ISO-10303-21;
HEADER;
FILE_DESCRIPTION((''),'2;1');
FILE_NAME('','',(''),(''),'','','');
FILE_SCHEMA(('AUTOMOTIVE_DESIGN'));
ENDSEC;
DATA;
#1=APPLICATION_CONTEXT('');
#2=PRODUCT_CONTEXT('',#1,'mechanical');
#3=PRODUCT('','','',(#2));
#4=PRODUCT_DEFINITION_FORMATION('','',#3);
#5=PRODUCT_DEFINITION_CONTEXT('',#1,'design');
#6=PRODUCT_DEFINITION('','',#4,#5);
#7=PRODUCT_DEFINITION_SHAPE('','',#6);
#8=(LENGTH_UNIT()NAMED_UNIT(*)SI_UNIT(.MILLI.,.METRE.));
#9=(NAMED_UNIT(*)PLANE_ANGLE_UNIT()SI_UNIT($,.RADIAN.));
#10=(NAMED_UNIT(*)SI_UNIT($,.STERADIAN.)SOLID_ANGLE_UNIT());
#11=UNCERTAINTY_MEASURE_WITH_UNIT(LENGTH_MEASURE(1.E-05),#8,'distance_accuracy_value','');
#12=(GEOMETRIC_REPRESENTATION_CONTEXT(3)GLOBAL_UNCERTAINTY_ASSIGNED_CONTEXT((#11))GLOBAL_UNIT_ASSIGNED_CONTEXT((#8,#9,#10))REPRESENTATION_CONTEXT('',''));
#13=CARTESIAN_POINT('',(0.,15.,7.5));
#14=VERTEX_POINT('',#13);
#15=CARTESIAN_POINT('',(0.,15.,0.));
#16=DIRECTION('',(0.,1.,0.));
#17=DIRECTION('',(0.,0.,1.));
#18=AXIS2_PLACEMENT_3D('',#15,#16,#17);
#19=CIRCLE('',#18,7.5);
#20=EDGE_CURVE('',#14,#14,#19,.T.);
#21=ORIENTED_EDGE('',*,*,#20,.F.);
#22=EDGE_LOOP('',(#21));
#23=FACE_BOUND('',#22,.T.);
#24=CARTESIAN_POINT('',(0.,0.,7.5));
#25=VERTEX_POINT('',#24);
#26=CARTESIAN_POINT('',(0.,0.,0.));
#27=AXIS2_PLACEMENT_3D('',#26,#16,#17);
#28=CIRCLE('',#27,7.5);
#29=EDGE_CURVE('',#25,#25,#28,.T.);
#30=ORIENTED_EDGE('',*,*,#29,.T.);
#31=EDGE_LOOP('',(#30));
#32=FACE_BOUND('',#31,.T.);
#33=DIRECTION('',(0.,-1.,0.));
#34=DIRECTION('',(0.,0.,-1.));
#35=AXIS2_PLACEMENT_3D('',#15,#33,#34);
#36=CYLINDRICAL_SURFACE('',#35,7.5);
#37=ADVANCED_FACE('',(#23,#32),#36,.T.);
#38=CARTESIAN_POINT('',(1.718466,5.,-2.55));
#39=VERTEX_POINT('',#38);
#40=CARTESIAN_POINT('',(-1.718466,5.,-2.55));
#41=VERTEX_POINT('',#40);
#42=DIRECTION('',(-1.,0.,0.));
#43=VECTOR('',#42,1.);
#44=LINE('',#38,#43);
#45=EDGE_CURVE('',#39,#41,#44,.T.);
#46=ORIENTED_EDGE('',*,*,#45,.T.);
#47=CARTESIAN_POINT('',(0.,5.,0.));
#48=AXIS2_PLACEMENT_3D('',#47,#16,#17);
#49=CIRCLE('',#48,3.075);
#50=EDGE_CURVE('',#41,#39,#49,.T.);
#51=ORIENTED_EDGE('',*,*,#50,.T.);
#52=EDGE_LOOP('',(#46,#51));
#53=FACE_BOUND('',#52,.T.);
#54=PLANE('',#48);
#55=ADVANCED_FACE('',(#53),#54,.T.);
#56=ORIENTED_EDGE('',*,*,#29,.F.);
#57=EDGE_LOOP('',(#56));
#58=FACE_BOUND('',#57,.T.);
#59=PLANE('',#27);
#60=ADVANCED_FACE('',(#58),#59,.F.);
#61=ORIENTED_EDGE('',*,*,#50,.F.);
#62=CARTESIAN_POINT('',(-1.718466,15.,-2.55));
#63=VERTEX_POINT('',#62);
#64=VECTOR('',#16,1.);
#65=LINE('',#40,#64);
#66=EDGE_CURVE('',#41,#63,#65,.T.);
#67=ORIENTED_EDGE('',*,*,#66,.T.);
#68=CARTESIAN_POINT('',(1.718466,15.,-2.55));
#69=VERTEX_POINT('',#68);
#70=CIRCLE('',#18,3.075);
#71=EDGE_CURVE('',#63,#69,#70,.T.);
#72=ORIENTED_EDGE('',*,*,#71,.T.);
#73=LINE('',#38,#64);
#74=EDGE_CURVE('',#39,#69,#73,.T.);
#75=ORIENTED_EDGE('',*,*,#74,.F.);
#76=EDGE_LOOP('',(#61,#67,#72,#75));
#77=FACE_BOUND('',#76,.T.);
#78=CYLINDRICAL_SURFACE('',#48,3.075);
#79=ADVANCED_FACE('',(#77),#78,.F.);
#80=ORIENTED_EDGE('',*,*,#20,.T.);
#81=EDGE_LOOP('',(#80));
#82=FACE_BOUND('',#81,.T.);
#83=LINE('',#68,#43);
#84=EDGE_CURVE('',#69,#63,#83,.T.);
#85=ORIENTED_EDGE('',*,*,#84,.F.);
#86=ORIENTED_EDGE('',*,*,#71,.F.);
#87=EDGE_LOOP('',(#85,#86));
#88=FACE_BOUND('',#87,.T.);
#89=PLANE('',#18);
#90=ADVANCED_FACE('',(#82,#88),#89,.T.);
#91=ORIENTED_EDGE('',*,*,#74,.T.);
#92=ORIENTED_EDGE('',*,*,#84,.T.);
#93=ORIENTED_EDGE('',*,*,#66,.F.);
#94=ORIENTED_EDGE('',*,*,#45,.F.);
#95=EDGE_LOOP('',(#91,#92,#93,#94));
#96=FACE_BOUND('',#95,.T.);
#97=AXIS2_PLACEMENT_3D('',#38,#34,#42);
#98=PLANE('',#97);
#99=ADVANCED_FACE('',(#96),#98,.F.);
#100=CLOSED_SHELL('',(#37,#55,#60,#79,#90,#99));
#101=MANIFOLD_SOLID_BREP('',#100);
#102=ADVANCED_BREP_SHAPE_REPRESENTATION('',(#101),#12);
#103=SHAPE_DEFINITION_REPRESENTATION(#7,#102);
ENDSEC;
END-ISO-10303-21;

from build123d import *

# Parameters (mm, degrees)
SKETCH1_R           = 7.5
BOSS_EXTRUDE1_DEPTH = 15
CUT_EXTRUDE1_DEPTH  = 10


with BuildPart() as part:
    # Sketch1 → Boss-Extrude1 (new body)
    with BuildSketch(Plane(origin=(0, 0, 0), x_dir=(1, 0, 0), z_dir=(0, 1, 0))):
        with Locations(Location((0, 0, 0), (0, 0, 270))):
            Circle(SKETCH1_R)
    extrude(amount=BOSS_EXTRUDE1_DEPTH)

    # Sketch2 → Cut-Extrude1 (cut)
    with BuildSketch(Plane(origin=(0, 15, 0), x_dir=(1, 0, 0), z_dir=(0, 1, 0))):
        with BuildLine():
            Line((1.718465886, 2.55), (-1.718465886, 2.55))
            ThreePointArc((-1.718465886, 2.55), (0, -3.075), (1.718465886, 2.55))
        make_face()
    extrude(amount=-CUT_EXTRUDE1_DEPTH, mode=Mode.SUBTRACT)


solid = part.part
